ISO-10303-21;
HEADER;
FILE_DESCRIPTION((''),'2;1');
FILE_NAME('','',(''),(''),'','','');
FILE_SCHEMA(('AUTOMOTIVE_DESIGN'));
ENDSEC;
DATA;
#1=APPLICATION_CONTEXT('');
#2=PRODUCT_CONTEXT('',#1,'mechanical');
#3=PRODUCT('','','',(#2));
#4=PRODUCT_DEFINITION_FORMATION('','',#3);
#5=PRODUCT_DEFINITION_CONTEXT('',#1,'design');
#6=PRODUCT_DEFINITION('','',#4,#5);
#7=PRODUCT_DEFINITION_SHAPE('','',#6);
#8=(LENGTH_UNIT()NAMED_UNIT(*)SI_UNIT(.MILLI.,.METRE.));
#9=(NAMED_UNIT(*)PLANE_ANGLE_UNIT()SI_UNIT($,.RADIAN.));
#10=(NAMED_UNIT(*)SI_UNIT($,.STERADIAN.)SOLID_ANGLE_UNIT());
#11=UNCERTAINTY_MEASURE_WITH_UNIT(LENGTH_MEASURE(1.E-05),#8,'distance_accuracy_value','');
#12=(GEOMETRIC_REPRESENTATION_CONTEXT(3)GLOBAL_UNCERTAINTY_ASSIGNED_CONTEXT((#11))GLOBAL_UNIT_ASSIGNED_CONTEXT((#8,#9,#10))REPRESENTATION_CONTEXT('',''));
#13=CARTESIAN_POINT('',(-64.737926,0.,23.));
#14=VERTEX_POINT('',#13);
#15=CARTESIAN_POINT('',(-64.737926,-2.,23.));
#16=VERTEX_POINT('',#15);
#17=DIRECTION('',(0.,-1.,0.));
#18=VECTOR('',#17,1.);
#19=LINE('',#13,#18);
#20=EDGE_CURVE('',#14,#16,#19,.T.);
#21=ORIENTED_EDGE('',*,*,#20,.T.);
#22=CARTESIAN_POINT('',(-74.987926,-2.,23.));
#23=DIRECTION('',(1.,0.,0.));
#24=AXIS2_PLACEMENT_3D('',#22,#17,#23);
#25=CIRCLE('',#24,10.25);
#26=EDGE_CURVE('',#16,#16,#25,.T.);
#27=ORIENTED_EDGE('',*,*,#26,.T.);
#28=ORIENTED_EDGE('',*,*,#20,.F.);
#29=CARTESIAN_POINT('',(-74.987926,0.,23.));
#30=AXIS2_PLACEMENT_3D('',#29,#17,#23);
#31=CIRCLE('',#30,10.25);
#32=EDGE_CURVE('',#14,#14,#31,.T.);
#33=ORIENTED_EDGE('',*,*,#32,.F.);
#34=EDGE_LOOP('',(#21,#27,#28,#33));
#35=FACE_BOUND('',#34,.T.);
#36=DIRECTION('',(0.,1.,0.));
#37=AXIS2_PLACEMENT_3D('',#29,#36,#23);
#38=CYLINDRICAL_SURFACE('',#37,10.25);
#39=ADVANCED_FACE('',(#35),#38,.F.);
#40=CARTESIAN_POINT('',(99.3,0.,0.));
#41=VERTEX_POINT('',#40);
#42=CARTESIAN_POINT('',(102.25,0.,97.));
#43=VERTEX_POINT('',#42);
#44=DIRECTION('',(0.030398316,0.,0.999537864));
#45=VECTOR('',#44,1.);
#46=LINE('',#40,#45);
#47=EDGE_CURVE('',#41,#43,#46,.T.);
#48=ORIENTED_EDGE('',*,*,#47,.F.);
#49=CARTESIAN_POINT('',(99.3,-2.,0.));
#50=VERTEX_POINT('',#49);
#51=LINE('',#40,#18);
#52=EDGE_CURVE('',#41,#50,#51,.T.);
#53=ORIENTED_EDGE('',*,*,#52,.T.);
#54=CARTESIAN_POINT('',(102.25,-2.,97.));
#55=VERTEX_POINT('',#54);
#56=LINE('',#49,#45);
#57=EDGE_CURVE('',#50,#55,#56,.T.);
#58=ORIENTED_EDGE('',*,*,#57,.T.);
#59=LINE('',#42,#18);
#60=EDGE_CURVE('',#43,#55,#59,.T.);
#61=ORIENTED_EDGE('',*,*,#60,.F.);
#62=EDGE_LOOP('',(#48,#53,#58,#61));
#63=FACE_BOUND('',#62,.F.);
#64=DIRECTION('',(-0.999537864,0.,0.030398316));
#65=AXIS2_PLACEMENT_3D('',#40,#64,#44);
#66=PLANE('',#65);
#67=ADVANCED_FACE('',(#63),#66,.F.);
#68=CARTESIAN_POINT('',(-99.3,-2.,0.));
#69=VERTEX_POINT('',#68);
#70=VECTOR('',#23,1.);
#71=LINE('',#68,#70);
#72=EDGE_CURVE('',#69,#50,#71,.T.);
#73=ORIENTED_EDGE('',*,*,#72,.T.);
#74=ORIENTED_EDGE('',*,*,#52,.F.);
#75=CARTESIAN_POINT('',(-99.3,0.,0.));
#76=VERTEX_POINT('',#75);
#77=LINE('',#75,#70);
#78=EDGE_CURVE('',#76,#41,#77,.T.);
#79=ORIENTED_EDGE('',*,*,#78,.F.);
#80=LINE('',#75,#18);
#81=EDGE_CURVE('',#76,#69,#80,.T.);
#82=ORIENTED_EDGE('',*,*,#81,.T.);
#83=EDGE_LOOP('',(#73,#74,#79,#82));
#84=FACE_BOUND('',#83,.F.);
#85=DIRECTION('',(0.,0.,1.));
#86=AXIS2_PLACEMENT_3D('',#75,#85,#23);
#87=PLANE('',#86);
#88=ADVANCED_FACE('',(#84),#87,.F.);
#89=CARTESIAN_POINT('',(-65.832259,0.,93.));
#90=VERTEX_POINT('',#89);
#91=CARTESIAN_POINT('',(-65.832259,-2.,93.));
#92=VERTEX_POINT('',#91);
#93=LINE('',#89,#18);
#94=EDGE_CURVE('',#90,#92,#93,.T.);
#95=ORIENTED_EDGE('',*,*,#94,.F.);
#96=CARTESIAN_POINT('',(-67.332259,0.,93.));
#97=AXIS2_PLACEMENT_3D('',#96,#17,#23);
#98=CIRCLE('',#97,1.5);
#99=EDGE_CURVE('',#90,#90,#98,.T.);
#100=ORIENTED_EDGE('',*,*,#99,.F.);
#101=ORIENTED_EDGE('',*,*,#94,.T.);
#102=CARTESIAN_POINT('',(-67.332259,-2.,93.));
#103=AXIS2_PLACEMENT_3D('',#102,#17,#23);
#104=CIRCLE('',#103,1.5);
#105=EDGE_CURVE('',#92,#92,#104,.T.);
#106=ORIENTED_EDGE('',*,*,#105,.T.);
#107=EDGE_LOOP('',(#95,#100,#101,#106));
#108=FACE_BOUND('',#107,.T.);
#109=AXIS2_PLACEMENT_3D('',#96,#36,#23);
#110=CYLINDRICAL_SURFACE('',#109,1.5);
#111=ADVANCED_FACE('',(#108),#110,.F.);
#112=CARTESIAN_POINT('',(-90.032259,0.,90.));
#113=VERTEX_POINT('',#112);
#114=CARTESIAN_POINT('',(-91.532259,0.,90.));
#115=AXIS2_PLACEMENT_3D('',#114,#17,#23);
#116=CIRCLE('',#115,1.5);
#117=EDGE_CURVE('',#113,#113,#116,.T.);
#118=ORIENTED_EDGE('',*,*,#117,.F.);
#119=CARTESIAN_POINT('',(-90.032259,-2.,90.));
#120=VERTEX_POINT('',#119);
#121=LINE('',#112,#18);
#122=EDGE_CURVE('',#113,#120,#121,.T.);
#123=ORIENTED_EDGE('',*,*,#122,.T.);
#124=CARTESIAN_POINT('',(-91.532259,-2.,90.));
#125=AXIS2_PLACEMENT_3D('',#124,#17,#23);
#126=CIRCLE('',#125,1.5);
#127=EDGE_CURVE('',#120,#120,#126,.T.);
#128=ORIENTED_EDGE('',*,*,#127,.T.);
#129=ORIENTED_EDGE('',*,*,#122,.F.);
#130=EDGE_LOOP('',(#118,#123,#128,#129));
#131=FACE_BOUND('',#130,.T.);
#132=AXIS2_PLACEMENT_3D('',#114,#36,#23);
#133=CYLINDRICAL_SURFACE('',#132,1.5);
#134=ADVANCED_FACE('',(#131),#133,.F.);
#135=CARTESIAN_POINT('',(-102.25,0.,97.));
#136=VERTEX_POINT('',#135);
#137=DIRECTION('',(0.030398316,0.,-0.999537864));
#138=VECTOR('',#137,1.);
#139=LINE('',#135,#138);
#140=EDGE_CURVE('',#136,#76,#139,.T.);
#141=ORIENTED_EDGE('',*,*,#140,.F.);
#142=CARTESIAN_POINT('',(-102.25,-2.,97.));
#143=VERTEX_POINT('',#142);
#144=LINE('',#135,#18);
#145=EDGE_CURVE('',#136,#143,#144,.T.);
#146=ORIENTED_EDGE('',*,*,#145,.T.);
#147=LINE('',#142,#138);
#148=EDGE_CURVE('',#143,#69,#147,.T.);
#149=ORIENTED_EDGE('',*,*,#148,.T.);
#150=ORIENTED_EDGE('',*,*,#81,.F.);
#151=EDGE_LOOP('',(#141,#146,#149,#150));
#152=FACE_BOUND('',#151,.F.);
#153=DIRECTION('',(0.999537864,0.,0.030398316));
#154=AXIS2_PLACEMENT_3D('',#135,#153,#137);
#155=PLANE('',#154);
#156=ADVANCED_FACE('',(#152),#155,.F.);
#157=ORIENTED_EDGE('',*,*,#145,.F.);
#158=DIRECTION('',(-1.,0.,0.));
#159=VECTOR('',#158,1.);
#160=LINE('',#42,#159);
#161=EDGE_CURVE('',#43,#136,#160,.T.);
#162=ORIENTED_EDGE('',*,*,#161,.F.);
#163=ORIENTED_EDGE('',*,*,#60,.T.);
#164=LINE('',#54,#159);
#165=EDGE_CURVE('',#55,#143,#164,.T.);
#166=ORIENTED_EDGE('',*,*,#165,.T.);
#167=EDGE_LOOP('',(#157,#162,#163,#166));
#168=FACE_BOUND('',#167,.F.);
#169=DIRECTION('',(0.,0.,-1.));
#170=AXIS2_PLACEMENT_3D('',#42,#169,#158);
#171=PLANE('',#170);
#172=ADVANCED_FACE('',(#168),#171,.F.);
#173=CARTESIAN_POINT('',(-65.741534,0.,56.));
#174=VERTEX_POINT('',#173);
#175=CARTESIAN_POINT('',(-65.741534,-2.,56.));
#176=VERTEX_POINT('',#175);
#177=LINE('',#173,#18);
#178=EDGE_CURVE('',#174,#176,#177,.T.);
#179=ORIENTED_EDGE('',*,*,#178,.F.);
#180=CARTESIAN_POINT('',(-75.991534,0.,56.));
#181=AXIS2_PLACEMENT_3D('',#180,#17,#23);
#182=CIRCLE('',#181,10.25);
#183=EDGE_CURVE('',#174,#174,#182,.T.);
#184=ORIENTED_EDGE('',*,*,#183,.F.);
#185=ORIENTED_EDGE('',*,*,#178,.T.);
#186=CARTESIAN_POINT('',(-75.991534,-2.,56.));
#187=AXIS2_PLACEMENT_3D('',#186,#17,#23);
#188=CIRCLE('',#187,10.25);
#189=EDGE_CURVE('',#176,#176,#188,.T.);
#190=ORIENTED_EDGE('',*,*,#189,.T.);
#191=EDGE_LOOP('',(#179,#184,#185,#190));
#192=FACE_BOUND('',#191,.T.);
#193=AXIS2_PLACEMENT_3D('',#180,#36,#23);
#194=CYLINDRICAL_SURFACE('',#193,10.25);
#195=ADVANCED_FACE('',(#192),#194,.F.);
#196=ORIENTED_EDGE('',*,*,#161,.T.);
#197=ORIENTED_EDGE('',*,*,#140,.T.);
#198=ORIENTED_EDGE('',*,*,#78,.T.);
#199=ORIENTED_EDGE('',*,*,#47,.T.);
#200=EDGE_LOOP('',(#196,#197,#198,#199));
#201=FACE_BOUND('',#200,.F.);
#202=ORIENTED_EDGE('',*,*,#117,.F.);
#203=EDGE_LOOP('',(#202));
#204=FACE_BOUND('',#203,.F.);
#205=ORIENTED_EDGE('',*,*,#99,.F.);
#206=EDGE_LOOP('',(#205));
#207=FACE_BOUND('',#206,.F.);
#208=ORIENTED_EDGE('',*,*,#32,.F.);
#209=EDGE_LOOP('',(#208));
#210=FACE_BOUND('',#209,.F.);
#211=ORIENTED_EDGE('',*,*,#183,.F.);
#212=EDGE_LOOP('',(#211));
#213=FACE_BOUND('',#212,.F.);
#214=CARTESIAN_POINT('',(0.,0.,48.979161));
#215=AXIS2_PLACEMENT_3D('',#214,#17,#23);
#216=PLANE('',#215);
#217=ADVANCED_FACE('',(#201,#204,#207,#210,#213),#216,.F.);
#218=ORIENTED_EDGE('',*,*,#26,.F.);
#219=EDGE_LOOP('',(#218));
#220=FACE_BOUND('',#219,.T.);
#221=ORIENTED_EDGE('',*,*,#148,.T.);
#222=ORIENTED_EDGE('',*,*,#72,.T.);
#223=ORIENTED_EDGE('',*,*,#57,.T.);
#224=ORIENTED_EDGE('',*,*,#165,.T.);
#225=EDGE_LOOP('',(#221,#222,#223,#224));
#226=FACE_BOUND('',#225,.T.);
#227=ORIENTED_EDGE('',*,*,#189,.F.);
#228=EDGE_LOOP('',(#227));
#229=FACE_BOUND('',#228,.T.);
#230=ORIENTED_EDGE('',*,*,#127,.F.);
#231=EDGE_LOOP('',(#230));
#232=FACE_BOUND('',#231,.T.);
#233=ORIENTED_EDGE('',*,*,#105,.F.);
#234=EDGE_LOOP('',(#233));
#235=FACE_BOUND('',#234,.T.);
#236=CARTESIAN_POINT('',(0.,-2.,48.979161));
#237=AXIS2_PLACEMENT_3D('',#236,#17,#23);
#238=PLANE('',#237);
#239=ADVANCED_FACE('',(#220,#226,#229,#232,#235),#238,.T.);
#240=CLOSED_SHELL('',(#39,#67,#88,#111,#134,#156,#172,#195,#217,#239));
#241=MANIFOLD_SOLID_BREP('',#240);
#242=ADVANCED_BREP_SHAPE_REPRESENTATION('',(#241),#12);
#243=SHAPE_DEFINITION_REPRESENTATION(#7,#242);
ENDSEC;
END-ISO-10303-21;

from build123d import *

# Parameters (mm, degrees)
F0_R     = 10.25
F0_R_2   = 1.5
F1_DEPTH = 2


with BuildPart() as f1:
    # F0 (on Front) → F1 (new body)
    with BuildSketch(Plane.XZ):
        Polygon((-99.3, 0), (0, 0), (99.3, 0), (102.25, 97), (0, 97), (-102.25, 97), align=None)
        with Locations((-74.987926, 23)):
            Circle(F0_R, mode=Mode.SUBTRACT)
        with Locations((-75.991534, 56)):
            Circle(F0_R, mode=Mode.SUBTRACT)
        with Locations((-91.532259, 90)):
            Circle(F0_R_2, mode=Mode.SUBTRACT)
        with Locations((-67.332259, 93)):
            Circle(F0_R_2, mode=Mode.SUBTRACT)
    extrude(amount=F1_DEPTH)


solid = f1.part
